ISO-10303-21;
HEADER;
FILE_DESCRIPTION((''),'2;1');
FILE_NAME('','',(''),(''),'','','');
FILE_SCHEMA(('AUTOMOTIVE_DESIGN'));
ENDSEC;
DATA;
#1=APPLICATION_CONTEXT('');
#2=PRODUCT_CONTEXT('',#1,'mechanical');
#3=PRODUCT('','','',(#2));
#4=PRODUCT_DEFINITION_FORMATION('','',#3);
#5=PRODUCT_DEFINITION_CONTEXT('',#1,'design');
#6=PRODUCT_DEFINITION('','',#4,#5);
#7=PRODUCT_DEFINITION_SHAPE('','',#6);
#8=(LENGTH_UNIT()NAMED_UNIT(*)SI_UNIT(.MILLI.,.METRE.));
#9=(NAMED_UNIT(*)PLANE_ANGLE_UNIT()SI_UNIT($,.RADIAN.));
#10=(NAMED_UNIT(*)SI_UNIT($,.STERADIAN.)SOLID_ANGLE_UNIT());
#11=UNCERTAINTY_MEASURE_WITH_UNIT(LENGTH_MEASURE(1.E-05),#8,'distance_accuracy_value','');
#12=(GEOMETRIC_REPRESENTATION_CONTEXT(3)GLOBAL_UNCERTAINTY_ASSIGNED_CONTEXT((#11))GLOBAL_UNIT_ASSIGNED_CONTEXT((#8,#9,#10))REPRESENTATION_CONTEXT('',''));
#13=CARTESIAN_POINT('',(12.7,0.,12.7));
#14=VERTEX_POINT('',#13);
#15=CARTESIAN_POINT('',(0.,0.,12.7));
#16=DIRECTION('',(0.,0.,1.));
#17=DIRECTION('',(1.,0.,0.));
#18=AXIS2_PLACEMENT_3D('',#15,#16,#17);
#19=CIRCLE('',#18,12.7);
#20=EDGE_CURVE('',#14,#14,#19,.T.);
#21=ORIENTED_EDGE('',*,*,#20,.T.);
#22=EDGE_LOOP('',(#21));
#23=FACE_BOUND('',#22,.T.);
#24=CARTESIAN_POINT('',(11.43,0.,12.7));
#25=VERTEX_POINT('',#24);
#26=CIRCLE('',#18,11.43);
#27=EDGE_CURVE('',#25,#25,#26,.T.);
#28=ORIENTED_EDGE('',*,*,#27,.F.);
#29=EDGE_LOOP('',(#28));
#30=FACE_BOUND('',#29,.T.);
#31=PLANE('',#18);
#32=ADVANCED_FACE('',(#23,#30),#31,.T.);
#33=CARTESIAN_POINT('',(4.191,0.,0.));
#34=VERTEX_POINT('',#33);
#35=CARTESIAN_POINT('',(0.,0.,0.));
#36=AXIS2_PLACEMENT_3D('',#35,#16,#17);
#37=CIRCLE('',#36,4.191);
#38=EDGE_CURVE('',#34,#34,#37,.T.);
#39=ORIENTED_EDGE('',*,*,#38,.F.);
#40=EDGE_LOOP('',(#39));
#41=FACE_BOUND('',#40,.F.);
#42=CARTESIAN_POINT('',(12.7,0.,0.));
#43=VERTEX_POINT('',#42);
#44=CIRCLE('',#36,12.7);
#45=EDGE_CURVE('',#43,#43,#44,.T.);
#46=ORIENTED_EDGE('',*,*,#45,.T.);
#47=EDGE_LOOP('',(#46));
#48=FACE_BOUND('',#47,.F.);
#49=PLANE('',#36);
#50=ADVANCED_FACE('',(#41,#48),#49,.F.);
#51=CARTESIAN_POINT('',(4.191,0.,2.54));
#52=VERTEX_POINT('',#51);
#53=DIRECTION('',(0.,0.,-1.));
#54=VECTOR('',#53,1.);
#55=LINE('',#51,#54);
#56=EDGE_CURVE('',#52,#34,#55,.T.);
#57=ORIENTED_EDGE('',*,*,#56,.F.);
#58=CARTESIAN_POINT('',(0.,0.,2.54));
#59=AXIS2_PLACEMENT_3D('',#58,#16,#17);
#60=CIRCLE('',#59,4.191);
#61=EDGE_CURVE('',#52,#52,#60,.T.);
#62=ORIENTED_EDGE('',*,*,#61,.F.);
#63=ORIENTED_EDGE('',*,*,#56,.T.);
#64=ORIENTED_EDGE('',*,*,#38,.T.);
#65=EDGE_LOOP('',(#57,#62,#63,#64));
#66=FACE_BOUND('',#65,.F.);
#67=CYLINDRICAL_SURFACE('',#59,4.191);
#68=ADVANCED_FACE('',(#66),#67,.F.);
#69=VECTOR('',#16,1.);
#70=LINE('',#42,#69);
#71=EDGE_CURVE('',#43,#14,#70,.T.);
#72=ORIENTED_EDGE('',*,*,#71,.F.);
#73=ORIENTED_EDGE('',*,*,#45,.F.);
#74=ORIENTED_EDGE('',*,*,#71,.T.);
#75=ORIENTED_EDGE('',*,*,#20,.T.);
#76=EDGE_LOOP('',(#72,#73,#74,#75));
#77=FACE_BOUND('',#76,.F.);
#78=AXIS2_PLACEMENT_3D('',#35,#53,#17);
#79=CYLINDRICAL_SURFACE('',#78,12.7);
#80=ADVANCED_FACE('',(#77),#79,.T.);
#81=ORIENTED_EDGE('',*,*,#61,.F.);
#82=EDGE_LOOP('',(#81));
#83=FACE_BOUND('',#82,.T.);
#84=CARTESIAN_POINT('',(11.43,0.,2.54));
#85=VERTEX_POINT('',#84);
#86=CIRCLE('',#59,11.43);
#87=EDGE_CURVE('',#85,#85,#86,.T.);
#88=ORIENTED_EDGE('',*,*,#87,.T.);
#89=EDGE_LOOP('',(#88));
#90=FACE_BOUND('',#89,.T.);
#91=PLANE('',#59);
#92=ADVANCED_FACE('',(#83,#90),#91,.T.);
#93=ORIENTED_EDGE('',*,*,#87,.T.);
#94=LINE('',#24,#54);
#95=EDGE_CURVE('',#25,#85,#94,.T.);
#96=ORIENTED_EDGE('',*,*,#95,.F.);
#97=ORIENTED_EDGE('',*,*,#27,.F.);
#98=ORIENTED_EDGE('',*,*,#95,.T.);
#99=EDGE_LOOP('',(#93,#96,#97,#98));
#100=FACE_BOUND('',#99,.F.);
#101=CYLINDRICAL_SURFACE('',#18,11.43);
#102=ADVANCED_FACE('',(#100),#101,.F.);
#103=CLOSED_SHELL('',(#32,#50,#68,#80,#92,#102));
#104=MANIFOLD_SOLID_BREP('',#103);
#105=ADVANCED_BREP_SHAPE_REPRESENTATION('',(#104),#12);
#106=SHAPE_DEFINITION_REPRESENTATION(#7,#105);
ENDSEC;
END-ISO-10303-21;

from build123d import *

# Parameters (mm, degrees)
F0_R     = 12.7
F1_DEPTH = 12.7
F2_R     = 11.43
F3_DEPTH = 10.16
F4_R     = 4.191
F5_DEPTH = 2.54


with BuildPart() as f1:
    # F0 (on Top) → F1 (new body)
    with BuildSketch(Plane.XY):
        Circle(F0_R)
    extrude(amount=F1_DEPTH)

    # F2 (on face) → F3 (cut)
    with BuildSketch(Plane.XY.offset(12.7)):
        Circle(F2_R)
    extrude(amount=-F3_DEPTH, mode=Mode.SUBTRACT)

    # F4 (on face) → F5 (cut, through all)
    with BuildSketch(Plane.XY.offset(2.54)):
        Circle(F4_R)
    extrude(amount=-F5_DEPTH, mode=Mode.SUBTRACT)


solid = f1.part
